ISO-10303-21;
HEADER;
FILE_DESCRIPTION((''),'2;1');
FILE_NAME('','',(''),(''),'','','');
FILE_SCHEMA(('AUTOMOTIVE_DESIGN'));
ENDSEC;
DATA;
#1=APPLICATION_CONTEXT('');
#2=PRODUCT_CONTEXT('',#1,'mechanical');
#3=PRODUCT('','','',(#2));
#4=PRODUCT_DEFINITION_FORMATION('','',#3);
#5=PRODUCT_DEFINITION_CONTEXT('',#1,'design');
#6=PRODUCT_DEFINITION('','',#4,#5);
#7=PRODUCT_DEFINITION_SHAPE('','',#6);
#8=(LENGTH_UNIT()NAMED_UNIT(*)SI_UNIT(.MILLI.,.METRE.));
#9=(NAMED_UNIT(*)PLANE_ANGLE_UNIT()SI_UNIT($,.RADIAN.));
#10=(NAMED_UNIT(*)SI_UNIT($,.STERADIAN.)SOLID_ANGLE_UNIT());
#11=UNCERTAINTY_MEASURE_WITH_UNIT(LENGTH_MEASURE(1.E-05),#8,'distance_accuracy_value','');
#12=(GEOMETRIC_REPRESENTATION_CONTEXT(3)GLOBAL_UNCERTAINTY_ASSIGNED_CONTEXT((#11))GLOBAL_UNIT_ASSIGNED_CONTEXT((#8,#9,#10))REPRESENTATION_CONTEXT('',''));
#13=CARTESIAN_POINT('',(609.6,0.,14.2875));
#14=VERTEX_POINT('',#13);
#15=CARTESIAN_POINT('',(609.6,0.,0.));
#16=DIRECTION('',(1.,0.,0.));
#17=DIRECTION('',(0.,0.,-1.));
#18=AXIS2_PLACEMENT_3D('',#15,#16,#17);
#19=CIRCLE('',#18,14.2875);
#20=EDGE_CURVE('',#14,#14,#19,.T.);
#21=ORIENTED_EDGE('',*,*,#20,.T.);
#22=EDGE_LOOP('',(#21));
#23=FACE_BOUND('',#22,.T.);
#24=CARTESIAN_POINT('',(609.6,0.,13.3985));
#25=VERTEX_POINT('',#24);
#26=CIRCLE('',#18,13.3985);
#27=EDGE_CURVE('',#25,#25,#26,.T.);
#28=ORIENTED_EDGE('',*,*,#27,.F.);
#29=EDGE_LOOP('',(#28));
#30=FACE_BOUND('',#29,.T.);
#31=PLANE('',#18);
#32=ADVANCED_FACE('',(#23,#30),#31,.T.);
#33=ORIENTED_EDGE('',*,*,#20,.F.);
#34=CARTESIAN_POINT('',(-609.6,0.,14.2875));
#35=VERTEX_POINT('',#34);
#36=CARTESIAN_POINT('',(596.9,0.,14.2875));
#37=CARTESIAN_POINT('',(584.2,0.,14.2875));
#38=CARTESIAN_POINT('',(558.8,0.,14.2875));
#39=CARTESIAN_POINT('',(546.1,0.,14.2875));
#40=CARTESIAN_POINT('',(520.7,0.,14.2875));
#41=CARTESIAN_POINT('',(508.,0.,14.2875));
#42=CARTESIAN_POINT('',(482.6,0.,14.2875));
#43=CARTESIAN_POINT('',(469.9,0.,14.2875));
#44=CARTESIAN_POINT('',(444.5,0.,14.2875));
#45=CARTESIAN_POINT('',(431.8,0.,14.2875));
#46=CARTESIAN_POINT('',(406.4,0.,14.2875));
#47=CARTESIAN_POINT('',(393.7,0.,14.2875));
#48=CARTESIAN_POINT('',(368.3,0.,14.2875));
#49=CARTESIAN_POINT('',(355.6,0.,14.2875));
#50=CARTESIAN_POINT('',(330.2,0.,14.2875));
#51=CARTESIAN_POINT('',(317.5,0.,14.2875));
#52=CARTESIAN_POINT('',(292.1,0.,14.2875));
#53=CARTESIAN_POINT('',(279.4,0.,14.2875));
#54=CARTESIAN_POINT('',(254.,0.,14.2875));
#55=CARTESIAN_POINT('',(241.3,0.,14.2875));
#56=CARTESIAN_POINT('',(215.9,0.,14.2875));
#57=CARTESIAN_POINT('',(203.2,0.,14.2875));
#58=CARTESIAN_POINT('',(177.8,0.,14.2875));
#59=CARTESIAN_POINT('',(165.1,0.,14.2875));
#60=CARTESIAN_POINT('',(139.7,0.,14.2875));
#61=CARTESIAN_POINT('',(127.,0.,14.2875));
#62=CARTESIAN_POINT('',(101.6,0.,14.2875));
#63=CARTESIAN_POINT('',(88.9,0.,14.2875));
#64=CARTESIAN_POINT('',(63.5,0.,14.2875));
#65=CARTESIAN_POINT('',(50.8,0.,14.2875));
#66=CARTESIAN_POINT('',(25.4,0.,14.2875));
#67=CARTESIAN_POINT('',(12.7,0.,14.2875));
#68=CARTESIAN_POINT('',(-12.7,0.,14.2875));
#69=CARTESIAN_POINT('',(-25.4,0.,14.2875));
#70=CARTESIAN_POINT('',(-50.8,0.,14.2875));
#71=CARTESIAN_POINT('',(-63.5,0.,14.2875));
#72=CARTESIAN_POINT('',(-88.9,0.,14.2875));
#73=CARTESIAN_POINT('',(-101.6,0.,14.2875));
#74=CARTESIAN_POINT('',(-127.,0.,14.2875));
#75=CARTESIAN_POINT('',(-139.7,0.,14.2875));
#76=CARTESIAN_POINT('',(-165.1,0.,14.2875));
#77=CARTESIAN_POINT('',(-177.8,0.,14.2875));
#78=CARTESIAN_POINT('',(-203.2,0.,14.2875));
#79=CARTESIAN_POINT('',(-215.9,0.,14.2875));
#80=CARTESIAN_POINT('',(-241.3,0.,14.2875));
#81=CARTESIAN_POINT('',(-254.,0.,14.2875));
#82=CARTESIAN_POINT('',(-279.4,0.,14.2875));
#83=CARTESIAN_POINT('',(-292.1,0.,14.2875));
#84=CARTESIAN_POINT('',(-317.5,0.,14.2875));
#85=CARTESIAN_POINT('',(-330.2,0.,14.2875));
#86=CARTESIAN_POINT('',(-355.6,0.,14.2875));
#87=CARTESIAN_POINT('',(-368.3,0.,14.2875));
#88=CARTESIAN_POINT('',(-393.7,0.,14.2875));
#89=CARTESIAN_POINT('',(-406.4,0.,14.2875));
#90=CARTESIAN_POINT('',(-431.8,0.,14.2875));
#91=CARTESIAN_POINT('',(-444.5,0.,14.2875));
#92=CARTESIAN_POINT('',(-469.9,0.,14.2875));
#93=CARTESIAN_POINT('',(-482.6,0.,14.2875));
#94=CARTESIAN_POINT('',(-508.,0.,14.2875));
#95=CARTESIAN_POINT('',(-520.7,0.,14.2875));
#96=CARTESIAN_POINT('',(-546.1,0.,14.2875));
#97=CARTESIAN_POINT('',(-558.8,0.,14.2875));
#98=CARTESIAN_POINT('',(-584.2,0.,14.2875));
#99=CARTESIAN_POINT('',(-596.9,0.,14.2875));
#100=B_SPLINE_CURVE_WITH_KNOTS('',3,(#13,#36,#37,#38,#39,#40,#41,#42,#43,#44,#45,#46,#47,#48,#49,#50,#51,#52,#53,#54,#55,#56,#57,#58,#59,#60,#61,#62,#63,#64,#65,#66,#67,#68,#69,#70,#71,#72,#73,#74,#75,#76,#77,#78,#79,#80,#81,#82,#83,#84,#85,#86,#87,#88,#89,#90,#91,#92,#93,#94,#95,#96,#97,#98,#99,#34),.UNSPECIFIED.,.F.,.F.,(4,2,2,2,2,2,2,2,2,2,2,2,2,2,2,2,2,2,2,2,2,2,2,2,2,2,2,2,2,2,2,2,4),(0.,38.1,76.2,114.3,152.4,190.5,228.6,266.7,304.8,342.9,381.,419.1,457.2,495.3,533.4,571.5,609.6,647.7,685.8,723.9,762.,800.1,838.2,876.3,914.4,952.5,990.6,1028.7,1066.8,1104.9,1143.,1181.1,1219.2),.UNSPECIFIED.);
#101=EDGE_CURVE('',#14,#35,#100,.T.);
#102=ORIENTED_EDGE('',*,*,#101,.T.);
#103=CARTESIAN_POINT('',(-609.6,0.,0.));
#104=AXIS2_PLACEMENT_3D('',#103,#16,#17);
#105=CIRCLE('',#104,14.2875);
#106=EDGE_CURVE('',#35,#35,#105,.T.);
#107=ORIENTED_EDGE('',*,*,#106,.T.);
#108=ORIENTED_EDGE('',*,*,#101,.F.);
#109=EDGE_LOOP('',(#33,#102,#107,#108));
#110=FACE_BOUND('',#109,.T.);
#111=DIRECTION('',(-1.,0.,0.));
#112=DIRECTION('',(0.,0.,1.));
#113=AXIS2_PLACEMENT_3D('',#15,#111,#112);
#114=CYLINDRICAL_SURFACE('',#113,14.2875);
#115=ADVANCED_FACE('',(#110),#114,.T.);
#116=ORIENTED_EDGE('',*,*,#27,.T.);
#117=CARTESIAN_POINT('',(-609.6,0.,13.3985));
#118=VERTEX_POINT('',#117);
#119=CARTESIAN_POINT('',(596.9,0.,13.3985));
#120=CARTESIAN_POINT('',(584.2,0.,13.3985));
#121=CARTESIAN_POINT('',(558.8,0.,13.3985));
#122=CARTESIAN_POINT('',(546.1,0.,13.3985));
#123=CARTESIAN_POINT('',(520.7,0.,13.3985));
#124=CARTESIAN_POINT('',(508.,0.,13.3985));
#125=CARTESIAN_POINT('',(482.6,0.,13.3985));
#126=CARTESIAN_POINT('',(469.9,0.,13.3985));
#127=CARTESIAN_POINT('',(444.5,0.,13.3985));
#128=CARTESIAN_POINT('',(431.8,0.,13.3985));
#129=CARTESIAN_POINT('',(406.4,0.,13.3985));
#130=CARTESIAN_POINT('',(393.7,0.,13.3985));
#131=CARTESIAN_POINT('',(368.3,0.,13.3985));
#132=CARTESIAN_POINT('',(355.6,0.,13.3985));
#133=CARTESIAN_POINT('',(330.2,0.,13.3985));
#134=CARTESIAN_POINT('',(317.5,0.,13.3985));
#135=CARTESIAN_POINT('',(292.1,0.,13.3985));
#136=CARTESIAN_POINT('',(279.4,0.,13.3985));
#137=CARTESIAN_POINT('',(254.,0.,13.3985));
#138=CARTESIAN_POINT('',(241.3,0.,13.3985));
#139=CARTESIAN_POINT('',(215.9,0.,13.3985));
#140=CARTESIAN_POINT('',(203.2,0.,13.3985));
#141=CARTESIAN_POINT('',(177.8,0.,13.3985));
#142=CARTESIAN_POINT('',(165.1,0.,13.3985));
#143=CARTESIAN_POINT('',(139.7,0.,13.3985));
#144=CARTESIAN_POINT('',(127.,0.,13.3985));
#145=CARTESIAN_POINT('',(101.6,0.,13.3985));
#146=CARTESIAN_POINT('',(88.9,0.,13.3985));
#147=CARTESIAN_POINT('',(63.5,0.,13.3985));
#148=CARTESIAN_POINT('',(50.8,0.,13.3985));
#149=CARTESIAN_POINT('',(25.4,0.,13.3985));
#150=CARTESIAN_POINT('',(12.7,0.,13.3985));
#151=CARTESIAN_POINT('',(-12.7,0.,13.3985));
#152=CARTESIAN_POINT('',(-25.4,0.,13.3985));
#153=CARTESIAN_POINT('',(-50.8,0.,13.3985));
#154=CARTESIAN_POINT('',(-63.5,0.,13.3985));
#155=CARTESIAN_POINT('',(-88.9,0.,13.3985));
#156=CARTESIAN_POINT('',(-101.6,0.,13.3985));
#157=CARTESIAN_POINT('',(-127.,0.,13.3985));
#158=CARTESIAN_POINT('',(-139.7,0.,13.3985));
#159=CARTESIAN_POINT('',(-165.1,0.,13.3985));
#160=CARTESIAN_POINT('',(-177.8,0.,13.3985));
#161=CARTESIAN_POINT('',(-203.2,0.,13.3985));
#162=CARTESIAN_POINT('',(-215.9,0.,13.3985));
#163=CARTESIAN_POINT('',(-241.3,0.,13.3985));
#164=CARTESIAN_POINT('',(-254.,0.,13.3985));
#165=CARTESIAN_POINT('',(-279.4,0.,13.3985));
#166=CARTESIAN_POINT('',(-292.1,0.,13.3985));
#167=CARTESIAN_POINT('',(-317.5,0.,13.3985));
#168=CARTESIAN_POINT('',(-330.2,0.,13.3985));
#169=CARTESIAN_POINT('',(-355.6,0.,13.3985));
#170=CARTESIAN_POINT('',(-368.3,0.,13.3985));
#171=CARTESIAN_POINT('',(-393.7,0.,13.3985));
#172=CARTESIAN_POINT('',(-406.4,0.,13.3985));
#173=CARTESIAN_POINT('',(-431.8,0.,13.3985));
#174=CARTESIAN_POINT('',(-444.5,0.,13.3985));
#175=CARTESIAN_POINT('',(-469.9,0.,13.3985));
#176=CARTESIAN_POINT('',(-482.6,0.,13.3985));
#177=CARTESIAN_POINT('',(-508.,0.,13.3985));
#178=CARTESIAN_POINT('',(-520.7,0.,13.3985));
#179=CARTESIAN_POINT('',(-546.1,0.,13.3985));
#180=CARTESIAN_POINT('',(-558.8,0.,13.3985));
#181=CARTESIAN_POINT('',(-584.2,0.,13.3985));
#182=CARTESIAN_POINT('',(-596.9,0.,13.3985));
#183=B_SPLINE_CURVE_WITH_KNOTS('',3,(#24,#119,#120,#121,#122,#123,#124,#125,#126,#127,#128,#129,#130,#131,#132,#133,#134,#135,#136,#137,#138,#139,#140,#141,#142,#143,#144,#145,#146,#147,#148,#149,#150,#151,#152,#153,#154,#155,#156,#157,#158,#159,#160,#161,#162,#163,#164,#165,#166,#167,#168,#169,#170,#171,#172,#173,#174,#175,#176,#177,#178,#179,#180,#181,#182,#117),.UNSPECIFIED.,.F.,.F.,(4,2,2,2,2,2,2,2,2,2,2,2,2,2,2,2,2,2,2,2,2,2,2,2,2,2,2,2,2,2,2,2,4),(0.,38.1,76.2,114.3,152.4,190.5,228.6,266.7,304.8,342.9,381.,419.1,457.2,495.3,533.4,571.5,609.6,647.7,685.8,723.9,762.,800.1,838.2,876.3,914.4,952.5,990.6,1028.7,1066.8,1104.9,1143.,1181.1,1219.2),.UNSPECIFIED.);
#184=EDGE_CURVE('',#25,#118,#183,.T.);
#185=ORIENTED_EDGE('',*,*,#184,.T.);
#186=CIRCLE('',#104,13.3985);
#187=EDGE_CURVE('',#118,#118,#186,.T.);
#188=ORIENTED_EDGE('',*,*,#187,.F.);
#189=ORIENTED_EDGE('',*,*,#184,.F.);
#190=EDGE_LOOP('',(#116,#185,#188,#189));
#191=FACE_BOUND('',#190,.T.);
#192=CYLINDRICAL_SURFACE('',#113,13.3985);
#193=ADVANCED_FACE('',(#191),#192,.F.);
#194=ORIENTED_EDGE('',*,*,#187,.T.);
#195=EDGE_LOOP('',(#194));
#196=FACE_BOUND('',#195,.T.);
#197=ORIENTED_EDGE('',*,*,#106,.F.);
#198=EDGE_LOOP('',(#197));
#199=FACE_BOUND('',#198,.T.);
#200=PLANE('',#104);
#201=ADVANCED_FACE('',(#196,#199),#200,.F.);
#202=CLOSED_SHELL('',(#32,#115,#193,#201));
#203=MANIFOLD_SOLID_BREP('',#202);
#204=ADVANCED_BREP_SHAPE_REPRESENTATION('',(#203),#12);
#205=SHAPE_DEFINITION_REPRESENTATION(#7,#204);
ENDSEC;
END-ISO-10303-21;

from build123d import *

# Parameters (mm, degrees)
SKETCH1_R      = 14.2875
SKETCH1_R_2    = 13.3985
EXTRUDE1_DEPTH = 609.6


with BuildPart() as part:
    # Sketch1 → Extrude1 (new, symmetric)
    with BuildSketch(Plane(origin=(0, 0, 0), x_dir=(0, 0, -1), z_dir=(1, 0, 0))):
        with Locations(Location((0, 0, 0), (0, 0, 180))):
            Circle(SKETCH1_R)
        with Locations(Location((0, 0, 0), (0, 0, 180))):
            Circle(SKETCH1_R_2, mode=Mode.SUBTRACT)
    extrude(amount=EXTRUDE1_DEPTH, both=True)


solid = part.part
